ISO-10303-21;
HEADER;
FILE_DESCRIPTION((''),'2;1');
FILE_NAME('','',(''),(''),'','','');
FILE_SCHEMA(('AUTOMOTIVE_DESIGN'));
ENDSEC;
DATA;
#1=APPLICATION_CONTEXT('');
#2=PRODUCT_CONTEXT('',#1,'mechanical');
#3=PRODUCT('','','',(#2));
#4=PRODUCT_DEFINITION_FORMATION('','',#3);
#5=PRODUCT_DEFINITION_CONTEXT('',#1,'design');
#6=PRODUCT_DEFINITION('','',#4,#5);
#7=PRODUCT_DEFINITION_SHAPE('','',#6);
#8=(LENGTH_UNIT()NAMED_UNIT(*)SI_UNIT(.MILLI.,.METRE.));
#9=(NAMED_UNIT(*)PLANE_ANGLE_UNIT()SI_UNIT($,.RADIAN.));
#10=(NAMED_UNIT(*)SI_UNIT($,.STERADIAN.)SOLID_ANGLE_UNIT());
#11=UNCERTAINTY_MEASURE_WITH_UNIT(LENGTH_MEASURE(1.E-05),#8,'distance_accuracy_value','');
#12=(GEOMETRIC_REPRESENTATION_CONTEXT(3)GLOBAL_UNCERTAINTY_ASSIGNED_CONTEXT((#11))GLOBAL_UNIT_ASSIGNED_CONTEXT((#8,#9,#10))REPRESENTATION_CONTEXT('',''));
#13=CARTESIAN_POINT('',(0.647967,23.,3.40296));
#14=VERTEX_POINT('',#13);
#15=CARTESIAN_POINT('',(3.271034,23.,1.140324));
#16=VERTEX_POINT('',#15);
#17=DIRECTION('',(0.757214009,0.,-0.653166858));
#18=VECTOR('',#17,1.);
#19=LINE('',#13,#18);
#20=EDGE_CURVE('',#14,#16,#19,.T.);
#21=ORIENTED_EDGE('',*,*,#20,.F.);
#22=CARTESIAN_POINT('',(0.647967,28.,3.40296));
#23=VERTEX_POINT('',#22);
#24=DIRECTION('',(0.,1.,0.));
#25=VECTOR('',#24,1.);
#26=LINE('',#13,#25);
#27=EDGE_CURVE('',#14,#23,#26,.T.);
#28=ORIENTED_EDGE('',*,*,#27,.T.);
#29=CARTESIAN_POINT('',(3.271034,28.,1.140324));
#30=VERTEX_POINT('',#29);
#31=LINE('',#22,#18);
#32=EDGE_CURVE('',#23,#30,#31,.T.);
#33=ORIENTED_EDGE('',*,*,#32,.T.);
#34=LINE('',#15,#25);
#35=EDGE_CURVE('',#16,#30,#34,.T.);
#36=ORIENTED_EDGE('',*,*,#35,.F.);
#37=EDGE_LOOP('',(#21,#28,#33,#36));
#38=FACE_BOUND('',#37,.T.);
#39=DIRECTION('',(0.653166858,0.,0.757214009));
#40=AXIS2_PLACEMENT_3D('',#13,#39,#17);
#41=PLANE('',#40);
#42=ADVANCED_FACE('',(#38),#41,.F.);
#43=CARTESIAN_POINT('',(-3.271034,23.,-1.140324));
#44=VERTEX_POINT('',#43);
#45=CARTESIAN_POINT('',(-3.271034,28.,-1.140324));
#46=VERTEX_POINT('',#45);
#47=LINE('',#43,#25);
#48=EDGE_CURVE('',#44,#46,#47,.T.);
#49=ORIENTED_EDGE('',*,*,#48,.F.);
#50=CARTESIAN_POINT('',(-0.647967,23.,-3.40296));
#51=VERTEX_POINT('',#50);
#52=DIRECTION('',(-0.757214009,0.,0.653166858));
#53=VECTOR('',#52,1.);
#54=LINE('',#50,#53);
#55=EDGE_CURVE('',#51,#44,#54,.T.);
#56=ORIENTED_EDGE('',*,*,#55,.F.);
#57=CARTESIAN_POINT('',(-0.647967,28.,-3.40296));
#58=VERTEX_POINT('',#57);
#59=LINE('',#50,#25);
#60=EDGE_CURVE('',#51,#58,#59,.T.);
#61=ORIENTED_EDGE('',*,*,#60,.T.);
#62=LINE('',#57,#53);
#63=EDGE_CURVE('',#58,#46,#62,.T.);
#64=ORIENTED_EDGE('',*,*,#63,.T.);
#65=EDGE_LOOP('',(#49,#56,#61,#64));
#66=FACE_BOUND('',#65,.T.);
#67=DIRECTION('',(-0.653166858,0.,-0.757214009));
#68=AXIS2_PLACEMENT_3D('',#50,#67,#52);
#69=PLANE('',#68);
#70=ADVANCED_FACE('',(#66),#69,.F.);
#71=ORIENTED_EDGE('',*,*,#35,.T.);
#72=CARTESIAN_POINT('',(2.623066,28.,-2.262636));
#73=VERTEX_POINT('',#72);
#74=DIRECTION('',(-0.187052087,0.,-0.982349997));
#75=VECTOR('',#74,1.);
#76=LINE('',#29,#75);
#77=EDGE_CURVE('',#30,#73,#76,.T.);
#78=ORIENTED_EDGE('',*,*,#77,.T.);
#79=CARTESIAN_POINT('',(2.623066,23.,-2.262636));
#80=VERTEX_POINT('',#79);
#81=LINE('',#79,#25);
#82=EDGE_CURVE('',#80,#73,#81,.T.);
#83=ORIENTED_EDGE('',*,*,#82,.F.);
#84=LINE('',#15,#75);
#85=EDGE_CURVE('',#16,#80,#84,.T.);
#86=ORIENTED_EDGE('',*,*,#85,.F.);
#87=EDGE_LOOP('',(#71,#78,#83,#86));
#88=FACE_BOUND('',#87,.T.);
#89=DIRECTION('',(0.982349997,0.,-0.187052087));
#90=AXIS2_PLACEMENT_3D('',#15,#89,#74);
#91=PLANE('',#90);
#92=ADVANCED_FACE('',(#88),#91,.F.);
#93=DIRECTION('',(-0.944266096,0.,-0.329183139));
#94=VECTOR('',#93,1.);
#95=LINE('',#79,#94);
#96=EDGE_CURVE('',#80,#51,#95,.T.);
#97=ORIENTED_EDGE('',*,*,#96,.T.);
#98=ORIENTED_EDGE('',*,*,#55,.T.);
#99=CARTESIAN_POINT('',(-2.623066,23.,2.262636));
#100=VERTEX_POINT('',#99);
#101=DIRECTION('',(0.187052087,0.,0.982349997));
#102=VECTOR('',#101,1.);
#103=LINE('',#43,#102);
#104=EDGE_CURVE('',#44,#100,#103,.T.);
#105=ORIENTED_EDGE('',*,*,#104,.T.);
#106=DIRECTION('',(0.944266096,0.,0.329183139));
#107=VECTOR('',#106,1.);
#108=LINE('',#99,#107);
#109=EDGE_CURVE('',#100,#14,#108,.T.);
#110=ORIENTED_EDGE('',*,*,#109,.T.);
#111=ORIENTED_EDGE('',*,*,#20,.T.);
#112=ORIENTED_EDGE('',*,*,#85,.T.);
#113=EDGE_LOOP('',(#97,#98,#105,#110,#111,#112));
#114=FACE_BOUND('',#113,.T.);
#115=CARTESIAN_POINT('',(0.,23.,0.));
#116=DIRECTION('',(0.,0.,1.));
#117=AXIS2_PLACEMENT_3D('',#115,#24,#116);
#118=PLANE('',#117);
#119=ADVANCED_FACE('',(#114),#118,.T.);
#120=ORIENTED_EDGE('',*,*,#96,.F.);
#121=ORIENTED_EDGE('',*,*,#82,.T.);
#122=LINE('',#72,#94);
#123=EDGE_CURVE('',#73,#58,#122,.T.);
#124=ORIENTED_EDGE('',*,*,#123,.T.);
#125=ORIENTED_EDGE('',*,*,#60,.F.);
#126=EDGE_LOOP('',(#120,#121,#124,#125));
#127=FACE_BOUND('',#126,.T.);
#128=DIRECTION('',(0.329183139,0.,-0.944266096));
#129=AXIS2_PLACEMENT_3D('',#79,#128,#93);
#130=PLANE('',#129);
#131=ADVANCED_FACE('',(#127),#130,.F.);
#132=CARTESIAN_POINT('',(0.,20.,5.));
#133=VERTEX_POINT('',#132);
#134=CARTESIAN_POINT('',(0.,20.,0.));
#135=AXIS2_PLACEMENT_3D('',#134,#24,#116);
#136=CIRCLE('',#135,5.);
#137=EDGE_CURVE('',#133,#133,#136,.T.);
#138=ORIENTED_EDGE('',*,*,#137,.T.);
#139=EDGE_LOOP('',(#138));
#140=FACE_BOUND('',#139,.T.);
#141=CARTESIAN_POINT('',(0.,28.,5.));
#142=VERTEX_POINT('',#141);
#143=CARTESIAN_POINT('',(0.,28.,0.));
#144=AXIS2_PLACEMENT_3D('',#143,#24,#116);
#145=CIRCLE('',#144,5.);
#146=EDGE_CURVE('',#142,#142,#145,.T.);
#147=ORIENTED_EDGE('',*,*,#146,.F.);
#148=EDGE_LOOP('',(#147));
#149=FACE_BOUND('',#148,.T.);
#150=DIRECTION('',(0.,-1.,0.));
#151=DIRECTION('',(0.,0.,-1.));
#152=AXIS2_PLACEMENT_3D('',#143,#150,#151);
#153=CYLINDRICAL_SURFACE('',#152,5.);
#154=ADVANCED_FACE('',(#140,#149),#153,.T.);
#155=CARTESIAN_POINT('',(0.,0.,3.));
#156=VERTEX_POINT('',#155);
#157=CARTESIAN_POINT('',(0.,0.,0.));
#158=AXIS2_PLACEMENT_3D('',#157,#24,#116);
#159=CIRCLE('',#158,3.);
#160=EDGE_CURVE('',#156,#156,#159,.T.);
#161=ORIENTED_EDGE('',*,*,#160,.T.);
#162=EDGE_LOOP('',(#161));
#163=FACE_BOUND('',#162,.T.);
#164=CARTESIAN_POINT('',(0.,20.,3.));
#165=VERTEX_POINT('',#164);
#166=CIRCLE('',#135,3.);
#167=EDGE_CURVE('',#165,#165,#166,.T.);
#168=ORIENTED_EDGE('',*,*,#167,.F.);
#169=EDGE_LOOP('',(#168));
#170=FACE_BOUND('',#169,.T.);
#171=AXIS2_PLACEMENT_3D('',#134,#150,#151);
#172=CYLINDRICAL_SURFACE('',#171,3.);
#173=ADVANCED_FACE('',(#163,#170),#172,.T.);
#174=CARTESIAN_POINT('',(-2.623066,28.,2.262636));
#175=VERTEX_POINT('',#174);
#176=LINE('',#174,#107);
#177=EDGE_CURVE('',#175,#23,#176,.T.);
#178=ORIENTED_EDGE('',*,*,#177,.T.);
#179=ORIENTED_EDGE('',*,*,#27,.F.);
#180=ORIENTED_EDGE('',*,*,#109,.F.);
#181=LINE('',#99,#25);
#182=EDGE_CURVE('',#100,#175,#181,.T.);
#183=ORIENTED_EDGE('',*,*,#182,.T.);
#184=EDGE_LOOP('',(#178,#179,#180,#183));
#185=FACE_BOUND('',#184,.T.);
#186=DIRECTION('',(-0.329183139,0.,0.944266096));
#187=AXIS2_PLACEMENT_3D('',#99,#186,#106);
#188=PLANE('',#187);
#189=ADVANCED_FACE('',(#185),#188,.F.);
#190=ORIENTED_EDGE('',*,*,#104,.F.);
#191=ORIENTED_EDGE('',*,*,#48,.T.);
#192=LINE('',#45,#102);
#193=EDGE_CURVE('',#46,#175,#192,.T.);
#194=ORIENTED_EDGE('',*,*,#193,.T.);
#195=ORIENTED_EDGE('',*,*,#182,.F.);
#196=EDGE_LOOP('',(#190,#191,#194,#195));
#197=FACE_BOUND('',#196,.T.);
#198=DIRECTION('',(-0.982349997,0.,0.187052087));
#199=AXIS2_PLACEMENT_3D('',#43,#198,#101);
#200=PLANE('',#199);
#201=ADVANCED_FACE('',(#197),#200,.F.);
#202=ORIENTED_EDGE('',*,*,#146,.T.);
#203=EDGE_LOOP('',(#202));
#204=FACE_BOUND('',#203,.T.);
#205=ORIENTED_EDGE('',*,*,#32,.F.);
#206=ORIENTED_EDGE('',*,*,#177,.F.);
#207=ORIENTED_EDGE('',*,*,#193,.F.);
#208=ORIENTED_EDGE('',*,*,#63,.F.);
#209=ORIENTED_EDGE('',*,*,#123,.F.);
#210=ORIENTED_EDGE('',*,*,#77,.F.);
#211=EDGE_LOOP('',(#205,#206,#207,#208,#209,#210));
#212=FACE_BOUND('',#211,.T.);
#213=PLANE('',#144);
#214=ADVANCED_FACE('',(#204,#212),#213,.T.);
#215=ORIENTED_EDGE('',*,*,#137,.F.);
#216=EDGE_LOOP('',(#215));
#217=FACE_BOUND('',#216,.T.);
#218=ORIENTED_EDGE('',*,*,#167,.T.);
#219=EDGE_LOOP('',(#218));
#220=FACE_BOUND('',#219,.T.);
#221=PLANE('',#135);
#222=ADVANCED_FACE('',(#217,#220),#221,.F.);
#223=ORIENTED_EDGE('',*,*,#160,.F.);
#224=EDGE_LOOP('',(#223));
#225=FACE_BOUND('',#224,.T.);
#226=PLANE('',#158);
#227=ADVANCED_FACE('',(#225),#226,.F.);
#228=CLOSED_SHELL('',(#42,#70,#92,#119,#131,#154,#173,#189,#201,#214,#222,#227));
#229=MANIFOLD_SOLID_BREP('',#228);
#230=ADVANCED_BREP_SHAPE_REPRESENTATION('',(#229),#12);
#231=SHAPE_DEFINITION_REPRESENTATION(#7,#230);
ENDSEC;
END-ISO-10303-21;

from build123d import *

# Parameters (mm, degrees)
ESQUISSE1_R             = 3
BOSS_EXTRU_2_DEPTH      = 20
ESQUISSE4_R             = 5
BOSS_EXTRU_5_DEPTH      = 8
ENL_V_MAT_EXTRU_3_DEPTH = 5


with BuildPart() as part:
    # Esquisse1 → Boss.-Extru.2 (new body)
    with BuildSketch(Plane(origin=(0, 0, 0), x_dir=(1, 0, 0), z_dir=(0, 1, 0))):
        with Locations(Location((0, 0, 0), (0, 0, 270))):
            Circle(ESQUISSE1_R)
    extrude(amount=BOSS_EXTRU_2_DEPTH)

    # Esquisse4 → Boss.-Extru.5 (add)
    with BuildSketch(Plane(origin=(0, 20, 0), x_dir=(1, 0, 0), z_dir=(0, 1, 0))):
        with Locations(Location((0, 0, 0), (0, 0, 270))):
            Circle(ESQUISSE4_R)
    extrude(amount=BOSS_EXTRU_5_DEPTH)

    # Esquisse6 → Enlèv. mat.-Extru.3 (cut)
    with BuildSketch(Plane(origin=(0, 28, 0), x_dir=(1, 0, 0), z_dir=(0, 1, 0))):
        Polygon((0.647967436, -3.402960212), (3.271033709, -1.140323845), (2.623066273, 2.262636366), (-0.647967436, 3.402960212), (-3.271033709, 1.140323845), (-2.623066273, -2.262636366), align=None)
    extrude(amount=-ENL_V_MAT_EXTRU_3_DEPTH, mode=Mode.SUBTRACT)


solid = part.part
